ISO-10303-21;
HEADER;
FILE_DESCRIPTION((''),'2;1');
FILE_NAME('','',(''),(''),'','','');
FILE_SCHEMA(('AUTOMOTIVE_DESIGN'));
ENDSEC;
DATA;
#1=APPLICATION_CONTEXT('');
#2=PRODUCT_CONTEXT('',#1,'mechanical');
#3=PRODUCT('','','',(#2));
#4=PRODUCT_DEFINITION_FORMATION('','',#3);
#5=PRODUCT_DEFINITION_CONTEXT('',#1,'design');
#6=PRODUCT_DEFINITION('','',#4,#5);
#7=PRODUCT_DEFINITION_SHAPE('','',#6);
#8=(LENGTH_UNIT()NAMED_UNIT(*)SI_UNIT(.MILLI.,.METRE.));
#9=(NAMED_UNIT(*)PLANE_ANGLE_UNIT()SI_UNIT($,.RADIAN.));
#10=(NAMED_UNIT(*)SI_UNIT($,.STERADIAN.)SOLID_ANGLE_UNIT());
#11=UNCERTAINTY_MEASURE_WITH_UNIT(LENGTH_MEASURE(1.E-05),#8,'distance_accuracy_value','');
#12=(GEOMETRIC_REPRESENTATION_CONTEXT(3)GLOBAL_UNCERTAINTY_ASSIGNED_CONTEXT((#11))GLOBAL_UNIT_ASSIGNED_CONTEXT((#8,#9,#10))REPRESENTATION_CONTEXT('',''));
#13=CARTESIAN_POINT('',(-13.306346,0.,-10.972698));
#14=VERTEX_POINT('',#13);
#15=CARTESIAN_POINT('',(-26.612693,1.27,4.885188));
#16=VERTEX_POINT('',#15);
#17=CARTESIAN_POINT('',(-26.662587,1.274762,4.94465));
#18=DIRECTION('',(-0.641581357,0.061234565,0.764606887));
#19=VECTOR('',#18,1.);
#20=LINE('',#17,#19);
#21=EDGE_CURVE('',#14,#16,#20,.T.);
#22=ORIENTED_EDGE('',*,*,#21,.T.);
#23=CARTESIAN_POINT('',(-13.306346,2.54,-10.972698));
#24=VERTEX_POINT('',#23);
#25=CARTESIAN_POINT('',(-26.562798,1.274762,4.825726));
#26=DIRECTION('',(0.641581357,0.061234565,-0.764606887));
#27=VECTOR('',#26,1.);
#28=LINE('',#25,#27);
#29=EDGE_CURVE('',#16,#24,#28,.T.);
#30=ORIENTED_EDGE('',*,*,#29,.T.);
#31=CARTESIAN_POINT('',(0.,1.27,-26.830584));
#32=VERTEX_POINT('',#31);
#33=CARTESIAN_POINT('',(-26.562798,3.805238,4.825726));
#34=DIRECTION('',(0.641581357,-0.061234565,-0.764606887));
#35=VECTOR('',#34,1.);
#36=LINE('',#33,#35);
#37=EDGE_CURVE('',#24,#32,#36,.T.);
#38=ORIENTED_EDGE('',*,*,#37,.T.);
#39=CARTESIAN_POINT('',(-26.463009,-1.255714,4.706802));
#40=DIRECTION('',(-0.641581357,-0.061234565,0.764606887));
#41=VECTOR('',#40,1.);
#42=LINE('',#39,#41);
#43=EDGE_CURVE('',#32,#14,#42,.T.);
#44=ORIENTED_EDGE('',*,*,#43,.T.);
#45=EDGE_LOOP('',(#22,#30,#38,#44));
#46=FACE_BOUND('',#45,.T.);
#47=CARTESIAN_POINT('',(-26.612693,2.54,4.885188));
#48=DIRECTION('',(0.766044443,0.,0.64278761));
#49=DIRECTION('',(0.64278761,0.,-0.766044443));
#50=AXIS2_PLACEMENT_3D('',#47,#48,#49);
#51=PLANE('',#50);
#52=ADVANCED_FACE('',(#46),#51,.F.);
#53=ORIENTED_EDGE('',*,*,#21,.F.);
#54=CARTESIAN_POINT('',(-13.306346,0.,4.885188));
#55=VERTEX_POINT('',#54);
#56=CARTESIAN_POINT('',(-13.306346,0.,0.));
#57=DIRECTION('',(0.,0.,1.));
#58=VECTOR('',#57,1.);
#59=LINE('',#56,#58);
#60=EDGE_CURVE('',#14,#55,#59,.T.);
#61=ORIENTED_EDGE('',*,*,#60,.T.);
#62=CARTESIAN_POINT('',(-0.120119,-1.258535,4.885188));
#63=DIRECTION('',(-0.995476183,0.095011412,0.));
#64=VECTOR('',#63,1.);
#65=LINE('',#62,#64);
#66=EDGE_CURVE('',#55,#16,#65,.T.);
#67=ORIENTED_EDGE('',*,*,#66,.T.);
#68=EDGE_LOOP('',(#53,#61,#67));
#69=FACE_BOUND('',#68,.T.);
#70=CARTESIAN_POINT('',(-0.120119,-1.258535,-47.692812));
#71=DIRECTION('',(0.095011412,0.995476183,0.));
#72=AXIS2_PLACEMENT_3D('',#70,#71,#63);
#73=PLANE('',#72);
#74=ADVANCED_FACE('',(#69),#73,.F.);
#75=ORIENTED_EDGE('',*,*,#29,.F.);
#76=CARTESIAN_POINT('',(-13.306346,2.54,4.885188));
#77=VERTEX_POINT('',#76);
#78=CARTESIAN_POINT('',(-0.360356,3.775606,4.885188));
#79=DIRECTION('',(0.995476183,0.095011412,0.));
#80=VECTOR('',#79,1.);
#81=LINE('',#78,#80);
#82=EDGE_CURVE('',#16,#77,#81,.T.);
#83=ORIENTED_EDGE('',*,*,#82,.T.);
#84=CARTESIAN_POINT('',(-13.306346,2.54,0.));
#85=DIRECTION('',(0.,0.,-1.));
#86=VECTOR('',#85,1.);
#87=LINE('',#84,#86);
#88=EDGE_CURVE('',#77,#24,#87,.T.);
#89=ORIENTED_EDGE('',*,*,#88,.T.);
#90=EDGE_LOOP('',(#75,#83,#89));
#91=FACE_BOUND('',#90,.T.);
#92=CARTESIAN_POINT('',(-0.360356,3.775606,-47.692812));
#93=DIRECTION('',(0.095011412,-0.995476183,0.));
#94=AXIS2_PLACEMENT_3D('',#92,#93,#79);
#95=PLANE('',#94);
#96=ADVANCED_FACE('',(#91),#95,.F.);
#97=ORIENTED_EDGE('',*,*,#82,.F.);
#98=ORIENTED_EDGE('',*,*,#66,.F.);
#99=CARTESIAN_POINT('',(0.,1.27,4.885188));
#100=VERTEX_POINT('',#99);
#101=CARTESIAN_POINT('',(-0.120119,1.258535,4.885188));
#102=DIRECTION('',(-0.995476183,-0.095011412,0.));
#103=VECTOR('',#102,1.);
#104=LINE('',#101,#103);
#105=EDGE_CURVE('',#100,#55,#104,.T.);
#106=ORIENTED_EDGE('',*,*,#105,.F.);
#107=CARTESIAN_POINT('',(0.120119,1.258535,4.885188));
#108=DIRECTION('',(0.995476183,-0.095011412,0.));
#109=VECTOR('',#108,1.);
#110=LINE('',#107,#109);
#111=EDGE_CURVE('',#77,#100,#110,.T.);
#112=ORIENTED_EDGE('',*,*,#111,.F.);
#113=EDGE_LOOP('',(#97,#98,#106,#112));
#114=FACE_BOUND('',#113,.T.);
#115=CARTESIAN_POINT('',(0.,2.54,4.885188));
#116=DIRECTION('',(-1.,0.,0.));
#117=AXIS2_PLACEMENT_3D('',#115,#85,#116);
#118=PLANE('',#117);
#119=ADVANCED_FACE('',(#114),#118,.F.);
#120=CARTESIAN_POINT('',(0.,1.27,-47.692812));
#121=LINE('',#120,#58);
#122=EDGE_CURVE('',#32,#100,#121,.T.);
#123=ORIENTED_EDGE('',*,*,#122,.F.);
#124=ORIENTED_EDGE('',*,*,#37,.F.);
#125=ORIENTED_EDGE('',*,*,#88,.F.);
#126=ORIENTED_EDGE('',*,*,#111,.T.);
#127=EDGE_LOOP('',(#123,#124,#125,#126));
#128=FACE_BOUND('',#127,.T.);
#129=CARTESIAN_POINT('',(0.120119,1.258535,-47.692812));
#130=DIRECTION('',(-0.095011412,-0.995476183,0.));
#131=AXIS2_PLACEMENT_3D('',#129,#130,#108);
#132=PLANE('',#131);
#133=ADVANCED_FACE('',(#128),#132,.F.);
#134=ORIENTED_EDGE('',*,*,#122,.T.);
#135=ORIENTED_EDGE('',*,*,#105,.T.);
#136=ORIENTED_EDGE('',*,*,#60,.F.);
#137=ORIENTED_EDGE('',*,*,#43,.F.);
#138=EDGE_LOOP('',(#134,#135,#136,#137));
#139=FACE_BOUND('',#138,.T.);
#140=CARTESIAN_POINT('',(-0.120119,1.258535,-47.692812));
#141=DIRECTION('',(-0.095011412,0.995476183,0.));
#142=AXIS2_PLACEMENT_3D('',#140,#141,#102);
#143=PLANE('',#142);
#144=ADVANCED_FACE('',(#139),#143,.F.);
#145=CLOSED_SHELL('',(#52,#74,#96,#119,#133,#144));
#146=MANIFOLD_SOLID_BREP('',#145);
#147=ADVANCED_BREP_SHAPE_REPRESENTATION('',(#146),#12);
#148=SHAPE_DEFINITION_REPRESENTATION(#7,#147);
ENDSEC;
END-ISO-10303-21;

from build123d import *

# Parameters (mm, degrees)
BOSS_EXTRUDE1_DEPTH = 2.54
CUT_EXTRUDE1_DEPTH  = 52.578


with BuildPart() as part:
    # Sketch1 → Boss-Extrude1 (new body)
    with BuildSketch(Plane(origin=(0, 0, 0), x_dir=(1, 0, 0), z_dir=(0, 1, 0))):
        Polygon((0, 26.8305841), (0, -4.885187934), (-26.612692616, -4.885187934), align=None)
    extrude(amount=BOSS_EXTRUDE1_DEPTH)

    # Sketch2 → Cut-Extrude1 (cut)
    with BuildSketch(Plane.XY.offset(4.885187934)):
        Polygon((-26.612692616, 2.54), (-26.612692616, 1.27), (-13.306346308, 2.54), align=None)
        Polygon((-13.306346308, 0), (-26.612692616, 1.27), (-26.612692616, 0), align=None)
        Polygon((0, 2.54), (-13.306346308, 2.54), (0, 1.27), align=None)
        Polygon((0, 1.27), (-13.306346308, 0), (0, 0), align=None)
    extrude(amount=-CUT_EXTRUDE1_DEPTH, mode=Mode.SUBTRACT)


solid = part.part
